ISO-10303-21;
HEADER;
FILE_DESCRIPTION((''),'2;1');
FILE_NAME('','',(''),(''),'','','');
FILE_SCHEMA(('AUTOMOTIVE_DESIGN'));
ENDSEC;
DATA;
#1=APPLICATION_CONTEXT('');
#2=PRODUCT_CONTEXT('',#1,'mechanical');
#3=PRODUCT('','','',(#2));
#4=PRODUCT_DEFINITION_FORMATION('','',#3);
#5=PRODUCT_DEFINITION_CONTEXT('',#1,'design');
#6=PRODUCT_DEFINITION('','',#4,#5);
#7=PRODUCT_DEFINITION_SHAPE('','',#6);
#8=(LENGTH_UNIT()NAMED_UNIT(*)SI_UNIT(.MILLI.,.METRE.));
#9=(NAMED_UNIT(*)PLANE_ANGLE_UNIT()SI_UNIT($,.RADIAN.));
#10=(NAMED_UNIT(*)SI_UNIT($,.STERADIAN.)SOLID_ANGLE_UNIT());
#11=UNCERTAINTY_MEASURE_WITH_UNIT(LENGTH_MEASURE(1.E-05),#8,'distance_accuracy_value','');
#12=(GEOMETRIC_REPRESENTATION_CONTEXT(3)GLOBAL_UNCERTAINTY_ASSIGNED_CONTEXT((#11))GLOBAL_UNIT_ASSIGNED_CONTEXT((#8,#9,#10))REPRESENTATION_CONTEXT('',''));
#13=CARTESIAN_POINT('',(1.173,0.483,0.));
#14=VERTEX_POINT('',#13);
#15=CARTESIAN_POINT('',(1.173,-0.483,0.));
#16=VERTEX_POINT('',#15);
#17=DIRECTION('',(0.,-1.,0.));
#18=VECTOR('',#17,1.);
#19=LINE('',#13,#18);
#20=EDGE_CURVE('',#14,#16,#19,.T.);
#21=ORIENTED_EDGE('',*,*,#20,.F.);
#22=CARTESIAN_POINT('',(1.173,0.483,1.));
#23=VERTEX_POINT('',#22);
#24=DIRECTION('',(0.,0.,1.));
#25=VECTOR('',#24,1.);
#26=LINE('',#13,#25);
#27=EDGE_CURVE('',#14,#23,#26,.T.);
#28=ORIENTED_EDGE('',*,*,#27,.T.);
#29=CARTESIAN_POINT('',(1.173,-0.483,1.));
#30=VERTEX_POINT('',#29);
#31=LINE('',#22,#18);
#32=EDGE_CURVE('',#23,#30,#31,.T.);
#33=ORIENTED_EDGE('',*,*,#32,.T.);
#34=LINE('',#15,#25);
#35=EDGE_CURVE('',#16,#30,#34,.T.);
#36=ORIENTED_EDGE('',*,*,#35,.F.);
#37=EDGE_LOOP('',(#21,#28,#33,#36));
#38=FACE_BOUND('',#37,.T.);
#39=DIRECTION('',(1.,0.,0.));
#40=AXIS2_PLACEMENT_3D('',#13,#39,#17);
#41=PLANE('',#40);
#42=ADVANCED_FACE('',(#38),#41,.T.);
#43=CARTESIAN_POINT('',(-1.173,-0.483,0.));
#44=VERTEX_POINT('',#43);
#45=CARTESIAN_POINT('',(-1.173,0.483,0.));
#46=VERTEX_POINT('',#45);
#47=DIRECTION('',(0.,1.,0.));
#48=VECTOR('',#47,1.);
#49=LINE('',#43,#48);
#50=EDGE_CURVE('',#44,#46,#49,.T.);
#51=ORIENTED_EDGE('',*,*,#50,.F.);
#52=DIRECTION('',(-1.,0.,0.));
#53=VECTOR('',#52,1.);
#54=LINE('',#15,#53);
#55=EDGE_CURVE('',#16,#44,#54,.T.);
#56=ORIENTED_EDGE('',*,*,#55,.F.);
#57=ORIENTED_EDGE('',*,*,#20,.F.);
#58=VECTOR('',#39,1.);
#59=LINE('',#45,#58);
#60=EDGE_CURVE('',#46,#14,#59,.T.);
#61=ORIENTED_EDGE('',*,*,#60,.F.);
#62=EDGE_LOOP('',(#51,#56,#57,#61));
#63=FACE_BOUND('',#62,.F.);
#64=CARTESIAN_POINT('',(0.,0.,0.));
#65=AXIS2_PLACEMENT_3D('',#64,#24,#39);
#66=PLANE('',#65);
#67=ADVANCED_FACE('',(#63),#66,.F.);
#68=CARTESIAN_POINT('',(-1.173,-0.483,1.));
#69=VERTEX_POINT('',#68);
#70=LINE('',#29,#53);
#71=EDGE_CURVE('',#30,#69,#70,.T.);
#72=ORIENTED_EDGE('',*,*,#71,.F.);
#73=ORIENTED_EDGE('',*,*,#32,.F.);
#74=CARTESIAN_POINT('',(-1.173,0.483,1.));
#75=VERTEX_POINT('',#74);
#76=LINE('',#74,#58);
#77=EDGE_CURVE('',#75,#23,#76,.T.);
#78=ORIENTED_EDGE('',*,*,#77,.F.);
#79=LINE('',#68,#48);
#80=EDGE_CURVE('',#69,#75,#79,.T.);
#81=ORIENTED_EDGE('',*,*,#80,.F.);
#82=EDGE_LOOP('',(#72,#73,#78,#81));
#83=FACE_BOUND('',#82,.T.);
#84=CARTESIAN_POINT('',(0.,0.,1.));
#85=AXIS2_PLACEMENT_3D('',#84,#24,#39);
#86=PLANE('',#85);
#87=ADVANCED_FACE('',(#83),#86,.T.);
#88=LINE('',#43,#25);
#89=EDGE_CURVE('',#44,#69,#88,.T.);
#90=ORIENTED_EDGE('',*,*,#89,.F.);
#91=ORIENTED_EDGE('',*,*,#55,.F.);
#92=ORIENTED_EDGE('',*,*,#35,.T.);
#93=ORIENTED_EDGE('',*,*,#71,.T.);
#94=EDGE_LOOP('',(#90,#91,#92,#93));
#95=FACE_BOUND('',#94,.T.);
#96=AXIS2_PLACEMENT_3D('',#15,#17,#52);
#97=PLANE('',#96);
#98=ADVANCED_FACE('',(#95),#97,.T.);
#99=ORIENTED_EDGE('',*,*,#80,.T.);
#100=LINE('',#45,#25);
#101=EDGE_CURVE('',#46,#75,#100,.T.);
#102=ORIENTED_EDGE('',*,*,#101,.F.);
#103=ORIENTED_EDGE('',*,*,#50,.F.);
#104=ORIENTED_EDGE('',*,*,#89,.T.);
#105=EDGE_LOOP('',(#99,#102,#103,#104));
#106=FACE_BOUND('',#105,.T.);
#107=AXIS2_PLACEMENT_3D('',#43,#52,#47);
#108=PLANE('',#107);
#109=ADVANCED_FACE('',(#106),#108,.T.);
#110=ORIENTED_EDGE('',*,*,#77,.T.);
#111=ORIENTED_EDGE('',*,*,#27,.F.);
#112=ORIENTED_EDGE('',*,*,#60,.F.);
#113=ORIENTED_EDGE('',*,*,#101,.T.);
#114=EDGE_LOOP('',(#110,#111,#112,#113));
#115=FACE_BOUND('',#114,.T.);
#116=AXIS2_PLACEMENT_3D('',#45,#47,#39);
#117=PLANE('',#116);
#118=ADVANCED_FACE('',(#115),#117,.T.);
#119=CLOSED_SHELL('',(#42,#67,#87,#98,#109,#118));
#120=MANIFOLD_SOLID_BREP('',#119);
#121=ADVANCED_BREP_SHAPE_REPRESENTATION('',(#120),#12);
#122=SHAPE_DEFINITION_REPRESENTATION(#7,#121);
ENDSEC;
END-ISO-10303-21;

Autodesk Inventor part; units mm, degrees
ref_plane "YZ Plane" through (0, 0, 0) normal (1, 0, 0) x (0, 1, 0)
ref_plane "XZ Plane" through (0, 0, 0) normal (0, 1, 0) x (-1, 0, 0)
ref_plane "XY Plane" through (0, 0, 0) normal (0, 0, 1) x (1, 0, 0)
sketch "0402, 0402_1" plane through (0, 0, 0) normal (0, 0, 1) x (1, 0, 0)
  line L0 (-1.173, 0.483) -> (1.173, 0.483)
  line L1 (1.173, 0.483) -> (1.173, -0.483)
  line L2 (1.173, -0.483) -> (-1.173, -0.483)
  line L3 (-1.173, -0.483) -> (-1.173, 0.483)
extrude "Extrusion1" add sketch "0402, 0402_1" along normal blind 1
properties part number "0402"
